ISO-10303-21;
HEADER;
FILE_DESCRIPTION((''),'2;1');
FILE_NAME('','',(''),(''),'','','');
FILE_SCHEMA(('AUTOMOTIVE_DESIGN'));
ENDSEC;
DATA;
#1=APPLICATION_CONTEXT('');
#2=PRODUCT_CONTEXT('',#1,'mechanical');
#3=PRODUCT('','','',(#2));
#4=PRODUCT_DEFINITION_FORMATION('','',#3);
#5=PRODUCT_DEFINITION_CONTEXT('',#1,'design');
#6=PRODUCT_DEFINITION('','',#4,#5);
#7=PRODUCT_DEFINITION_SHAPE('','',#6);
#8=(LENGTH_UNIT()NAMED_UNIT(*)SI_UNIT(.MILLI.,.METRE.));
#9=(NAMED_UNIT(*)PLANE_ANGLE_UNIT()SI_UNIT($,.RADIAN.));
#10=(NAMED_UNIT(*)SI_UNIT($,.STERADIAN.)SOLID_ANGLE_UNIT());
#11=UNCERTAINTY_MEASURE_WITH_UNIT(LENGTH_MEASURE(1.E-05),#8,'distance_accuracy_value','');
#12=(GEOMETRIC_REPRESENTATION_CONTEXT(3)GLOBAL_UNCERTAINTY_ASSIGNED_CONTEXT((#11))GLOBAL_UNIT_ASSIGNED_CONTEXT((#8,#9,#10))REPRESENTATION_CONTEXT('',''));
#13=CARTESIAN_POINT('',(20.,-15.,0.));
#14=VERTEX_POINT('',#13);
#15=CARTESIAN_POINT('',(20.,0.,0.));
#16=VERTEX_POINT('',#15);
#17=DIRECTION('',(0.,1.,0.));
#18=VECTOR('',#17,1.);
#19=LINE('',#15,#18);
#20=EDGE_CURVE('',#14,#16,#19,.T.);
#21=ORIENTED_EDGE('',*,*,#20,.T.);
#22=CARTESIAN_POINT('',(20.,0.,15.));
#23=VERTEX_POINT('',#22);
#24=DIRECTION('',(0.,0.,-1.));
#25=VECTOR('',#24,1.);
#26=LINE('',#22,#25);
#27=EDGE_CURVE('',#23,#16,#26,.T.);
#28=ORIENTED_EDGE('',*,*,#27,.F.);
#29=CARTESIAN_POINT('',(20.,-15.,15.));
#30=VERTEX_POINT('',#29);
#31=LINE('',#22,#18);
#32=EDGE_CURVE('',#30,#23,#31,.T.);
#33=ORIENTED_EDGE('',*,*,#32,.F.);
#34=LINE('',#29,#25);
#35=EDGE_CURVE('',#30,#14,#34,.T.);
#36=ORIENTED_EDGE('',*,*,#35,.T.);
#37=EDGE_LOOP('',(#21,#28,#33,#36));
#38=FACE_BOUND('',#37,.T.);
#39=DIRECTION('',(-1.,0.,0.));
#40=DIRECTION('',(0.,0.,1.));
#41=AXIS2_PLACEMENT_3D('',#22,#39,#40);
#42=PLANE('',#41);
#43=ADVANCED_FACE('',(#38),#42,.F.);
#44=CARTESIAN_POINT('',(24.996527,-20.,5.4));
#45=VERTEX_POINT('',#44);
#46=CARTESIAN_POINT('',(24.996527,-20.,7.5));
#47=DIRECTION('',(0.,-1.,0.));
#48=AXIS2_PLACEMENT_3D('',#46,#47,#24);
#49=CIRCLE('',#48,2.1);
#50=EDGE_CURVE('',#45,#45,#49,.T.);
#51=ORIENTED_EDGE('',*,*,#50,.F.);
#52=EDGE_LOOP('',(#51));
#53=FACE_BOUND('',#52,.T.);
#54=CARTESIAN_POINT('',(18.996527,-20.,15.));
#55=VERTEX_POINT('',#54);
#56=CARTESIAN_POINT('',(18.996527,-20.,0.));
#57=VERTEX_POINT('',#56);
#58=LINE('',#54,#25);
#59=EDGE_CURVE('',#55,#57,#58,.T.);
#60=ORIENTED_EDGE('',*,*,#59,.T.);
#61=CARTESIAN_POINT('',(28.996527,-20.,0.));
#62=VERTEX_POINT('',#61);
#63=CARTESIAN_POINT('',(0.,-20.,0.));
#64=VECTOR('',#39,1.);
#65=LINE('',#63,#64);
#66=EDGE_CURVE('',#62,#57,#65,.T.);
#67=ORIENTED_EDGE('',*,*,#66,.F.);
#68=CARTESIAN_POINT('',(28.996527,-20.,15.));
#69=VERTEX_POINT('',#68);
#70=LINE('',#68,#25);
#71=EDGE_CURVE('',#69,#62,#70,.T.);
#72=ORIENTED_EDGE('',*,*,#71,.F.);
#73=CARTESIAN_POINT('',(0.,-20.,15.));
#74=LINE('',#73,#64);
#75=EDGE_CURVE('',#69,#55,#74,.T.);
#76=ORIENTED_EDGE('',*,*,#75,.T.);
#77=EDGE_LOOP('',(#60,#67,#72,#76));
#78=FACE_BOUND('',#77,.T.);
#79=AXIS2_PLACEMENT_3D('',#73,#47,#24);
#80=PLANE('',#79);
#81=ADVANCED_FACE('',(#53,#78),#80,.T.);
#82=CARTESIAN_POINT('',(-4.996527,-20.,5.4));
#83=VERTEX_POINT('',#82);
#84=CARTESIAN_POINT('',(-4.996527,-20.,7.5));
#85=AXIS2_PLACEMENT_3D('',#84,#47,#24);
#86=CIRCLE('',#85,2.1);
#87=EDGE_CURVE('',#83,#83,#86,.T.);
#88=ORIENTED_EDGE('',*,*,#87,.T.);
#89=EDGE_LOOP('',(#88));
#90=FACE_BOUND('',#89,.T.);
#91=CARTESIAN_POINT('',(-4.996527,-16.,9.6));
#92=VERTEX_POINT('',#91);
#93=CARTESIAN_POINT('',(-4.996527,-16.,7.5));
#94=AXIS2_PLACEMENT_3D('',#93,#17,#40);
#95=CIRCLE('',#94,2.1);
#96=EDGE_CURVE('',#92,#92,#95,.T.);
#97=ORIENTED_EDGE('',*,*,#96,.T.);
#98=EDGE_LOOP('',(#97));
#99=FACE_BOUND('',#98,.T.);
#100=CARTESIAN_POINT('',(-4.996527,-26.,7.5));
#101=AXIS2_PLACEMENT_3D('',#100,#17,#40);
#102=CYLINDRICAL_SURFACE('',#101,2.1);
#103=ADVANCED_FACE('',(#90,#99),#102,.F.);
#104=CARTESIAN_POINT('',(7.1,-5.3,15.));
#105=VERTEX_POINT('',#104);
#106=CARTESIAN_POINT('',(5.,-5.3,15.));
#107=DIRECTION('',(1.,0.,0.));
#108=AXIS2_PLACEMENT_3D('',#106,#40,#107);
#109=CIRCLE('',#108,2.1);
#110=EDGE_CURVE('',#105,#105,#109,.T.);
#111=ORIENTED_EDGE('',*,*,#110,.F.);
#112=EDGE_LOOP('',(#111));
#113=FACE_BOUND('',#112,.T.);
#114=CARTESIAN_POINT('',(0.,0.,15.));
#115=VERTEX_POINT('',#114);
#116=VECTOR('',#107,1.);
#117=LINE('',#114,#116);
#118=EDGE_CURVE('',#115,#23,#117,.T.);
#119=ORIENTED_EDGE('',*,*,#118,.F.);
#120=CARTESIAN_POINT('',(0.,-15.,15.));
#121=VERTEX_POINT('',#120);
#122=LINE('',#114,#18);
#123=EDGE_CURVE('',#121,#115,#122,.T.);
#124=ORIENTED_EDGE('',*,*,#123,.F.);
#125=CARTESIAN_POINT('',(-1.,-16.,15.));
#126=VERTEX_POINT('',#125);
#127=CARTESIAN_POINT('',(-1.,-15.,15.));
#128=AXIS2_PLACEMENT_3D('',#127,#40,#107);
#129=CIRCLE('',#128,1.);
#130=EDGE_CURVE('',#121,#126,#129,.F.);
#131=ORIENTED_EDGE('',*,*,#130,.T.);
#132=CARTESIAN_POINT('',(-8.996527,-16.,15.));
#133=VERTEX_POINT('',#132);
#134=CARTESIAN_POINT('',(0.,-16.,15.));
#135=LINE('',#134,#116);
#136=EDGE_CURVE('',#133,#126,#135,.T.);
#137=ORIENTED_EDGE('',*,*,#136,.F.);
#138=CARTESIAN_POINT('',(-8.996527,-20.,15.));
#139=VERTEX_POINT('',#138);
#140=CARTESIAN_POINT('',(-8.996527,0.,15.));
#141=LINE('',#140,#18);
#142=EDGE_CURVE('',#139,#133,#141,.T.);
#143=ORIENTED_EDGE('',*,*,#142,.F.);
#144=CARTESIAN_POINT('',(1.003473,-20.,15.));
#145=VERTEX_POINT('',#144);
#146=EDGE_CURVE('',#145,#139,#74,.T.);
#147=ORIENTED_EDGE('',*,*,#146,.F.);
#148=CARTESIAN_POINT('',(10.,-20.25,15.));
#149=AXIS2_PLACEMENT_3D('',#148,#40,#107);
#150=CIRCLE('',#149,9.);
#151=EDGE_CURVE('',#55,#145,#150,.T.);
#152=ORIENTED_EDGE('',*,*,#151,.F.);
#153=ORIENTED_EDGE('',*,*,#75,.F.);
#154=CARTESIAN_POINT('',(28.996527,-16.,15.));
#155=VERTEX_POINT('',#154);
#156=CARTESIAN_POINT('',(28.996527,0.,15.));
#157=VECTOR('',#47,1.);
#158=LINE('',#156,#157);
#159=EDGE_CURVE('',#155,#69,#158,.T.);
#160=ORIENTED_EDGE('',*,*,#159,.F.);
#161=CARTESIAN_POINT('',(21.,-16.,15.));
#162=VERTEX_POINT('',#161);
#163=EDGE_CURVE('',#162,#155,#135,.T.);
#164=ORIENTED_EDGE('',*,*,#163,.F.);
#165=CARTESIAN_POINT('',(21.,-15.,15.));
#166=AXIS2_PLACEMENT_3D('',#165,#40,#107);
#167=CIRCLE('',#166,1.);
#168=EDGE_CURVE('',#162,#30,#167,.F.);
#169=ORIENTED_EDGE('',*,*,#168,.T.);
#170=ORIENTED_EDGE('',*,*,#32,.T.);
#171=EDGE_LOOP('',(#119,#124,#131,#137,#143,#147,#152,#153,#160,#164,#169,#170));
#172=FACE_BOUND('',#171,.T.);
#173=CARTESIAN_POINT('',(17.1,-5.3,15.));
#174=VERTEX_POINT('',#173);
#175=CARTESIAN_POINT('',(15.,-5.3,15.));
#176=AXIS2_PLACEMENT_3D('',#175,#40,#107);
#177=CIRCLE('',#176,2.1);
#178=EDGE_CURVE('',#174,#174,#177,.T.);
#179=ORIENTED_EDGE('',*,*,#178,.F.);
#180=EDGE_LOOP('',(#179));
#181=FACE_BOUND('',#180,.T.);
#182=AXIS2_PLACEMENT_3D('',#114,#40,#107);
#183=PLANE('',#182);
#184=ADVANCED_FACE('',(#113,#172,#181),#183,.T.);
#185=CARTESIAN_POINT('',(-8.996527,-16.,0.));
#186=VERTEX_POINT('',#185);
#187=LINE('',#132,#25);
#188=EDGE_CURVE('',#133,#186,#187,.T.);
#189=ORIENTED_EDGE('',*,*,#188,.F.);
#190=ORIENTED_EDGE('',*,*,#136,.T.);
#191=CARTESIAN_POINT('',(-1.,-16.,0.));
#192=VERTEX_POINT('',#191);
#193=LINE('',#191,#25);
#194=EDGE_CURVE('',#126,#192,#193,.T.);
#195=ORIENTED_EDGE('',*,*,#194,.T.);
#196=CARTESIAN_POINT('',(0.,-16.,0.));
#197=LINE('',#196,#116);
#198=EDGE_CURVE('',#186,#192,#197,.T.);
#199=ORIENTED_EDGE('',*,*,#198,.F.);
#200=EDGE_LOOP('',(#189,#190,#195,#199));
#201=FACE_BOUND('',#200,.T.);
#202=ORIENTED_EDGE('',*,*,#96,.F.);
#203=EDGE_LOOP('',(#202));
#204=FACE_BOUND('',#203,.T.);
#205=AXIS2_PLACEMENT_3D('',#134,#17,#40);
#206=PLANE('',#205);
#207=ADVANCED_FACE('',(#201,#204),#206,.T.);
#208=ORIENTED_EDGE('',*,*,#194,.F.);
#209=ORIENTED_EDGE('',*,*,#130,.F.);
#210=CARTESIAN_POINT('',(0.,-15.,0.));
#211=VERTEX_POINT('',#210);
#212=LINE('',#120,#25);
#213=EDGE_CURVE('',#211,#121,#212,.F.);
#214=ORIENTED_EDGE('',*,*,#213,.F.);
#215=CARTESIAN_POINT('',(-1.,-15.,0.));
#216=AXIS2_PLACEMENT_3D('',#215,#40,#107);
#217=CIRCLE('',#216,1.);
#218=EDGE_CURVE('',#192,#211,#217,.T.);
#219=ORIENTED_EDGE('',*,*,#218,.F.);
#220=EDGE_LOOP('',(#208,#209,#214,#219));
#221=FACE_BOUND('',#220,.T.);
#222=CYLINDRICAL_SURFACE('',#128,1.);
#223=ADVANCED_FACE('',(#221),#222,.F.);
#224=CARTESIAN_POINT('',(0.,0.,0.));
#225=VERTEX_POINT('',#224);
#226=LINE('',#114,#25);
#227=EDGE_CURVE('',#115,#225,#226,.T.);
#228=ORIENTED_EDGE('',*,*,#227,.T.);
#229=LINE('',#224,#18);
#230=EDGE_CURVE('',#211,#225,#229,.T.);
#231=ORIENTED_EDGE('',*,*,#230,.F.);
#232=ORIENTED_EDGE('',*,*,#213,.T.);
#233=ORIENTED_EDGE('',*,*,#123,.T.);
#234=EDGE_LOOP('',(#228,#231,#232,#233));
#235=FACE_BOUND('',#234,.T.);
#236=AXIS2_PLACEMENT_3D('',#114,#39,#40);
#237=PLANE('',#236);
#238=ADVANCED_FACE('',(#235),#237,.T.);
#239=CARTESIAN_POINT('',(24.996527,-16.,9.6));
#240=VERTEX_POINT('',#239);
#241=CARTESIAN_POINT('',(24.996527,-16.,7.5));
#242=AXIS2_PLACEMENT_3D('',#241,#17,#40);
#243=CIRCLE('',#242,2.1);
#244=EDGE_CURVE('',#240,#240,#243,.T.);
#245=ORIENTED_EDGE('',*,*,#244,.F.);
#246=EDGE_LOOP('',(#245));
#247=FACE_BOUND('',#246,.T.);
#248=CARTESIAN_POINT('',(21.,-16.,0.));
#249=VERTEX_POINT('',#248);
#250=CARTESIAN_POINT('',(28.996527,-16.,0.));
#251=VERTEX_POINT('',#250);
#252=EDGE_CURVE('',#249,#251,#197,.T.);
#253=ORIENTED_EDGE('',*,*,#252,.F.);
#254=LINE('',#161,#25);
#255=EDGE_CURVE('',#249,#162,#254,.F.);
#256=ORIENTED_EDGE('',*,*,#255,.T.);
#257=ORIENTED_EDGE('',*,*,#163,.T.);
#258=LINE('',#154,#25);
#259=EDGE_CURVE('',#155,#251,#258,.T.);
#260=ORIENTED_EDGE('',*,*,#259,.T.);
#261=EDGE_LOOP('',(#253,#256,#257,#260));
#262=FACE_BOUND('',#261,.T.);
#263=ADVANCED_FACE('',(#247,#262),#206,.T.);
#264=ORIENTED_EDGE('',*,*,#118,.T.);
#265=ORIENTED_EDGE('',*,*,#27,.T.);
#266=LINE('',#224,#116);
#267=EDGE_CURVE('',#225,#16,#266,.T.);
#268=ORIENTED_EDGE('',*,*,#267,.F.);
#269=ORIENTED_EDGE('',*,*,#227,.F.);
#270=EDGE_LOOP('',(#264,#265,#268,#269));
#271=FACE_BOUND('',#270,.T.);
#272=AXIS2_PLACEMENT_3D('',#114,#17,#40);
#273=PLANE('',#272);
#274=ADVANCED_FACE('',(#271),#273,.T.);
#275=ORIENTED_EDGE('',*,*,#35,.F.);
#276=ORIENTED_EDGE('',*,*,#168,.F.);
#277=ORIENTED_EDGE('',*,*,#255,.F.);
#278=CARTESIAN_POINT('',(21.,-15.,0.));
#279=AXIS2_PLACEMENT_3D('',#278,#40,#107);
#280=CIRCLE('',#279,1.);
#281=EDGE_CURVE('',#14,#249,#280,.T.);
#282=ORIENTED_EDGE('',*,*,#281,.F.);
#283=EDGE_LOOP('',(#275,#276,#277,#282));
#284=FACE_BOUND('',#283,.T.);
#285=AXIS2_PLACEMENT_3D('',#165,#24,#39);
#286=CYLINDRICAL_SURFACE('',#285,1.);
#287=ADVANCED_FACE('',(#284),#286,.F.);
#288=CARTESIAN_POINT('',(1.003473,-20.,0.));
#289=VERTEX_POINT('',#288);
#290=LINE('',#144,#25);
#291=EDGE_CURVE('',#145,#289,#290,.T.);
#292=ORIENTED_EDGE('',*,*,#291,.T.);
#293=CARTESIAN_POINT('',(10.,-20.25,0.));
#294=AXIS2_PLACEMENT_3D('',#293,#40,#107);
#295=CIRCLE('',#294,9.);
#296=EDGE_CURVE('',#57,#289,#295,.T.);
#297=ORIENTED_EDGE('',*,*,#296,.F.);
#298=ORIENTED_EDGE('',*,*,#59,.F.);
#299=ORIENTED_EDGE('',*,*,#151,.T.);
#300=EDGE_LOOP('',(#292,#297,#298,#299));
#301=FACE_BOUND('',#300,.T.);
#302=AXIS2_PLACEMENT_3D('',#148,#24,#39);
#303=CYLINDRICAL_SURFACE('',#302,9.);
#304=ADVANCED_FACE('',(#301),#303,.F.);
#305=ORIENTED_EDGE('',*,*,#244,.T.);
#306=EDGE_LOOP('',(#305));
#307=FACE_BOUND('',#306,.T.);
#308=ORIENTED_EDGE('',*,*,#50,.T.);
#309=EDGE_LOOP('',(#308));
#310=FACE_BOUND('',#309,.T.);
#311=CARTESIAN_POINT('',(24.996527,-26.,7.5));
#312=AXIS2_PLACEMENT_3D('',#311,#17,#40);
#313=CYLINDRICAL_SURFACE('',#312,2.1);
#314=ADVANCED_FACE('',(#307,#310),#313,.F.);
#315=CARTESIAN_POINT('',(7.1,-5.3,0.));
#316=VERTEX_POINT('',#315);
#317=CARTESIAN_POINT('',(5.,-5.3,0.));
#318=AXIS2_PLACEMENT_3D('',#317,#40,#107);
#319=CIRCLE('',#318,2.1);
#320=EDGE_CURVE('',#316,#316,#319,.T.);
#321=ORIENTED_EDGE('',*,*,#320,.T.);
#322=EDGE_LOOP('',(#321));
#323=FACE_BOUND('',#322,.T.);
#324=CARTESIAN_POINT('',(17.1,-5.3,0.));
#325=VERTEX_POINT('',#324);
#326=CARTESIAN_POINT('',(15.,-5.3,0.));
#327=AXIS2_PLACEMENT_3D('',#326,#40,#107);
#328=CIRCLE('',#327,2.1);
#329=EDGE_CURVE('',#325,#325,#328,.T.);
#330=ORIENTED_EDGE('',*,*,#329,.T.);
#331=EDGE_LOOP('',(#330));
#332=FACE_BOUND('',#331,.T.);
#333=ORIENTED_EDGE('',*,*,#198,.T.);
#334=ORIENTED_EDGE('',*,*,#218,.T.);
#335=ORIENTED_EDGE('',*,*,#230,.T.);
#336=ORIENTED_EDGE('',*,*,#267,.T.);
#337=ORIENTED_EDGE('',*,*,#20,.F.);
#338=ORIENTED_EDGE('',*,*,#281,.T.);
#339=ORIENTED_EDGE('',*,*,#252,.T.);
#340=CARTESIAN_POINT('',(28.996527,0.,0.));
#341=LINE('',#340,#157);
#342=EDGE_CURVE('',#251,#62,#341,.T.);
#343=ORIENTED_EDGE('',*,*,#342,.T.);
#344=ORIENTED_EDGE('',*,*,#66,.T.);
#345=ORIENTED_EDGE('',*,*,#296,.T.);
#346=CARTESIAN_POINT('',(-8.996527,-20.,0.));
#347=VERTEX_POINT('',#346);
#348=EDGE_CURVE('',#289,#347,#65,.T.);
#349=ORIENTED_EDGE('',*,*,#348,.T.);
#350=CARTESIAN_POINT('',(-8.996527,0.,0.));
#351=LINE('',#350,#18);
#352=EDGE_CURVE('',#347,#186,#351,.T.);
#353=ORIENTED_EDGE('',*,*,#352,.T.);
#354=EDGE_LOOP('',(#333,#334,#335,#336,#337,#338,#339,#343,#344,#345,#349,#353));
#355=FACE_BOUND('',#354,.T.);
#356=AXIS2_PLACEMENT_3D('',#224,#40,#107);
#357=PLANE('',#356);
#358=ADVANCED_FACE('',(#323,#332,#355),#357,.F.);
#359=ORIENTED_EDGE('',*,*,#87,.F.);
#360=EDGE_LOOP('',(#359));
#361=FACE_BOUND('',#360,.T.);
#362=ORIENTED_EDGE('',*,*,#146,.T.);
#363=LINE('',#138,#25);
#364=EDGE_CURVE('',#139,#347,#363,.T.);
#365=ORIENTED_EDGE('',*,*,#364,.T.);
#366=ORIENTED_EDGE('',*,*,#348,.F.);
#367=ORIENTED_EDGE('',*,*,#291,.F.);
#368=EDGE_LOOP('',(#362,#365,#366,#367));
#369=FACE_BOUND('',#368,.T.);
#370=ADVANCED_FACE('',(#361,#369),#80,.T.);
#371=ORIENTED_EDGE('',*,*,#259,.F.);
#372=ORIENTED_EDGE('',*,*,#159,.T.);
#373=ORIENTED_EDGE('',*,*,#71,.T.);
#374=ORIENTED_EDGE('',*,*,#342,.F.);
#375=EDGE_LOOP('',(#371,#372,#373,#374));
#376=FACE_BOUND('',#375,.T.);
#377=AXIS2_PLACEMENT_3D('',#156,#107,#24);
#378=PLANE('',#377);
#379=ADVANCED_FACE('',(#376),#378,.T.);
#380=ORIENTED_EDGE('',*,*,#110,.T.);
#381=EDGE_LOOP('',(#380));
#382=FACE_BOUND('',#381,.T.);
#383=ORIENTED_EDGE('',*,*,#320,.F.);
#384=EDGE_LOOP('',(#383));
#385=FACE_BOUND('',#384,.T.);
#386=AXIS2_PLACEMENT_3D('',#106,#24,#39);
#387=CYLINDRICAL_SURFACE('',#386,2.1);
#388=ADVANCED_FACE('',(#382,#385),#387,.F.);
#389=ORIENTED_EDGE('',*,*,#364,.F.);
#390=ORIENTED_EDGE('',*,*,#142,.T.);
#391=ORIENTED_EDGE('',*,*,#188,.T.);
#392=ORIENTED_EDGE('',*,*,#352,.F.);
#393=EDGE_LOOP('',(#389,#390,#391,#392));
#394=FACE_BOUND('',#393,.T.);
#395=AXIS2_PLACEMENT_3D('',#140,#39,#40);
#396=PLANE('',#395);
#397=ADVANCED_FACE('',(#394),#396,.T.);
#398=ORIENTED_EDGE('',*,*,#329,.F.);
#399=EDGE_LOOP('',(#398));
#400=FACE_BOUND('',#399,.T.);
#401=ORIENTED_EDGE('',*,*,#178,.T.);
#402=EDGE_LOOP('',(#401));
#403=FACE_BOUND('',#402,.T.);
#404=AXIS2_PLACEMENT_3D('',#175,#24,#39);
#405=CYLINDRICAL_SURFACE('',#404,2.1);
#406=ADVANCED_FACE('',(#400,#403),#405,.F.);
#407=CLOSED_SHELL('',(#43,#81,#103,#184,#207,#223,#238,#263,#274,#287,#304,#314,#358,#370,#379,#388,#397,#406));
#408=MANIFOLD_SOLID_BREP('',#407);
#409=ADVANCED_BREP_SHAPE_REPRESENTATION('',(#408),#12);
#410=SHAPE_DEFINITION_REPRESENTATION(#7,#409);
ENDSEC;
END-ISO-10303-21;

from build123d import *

# Parameters (mm, degrees)
SKETCH1_R           = 2.1
BOSS_EXTRUDE1_DEPTH = 15
SKETCH2_R           = 2.1
CUT_EXTRUDE1_DEPTH  = 10
FILLET2_R           = 1


with BuildPart() as part:
    # Sketch1 → Boss-Extrude1 (new body)
    with BuildSketch(Plane.XY):
        with BuildLine():
            ThreePointArc((18.996527108, -20), (10, -11.25), (1.003472892, -20))
            Line((1.003472892, -20), (-8.996527108, -20))
            Line((-8.996527108, -20), (-8.996527108, -16))
            Line((-8.996527108, -16), (0, -16))
            Line((0, -16), (0, 0))
            Line((0, 0), (20, 0))
            Line((20, 0), (20, -16))
            Line((20, -16), (28.996527108, -16))
            Line((28.996527108, -16), (28.996527108, -20))
            Line((28.996527108, -20), (18.996527108, -20))
        make_face()
        with Locations((15, -5.3)):
            Circle(SKETCH1_R, mode=Mode.SUBTRACT)
        with Locations((5, -5.3)):
            Circle(SKETCH1_R, mode=Mode.SUBTRACT)
    extrude(amount=BOSS_EXTRUDE1_DEPTH)

    # Sketch2 → Cut-Extrude1 (cut)
    with BuildSketch(Plane(origin=(0, -16, 0), x_dir=(1, 0, 0), z_dir=(0, 1, 0))):
        with Locations((-4.996527108, -7.5)):
            Circle(SKETCH2_R)
        with Locations((24.996527108, -7.5)):
            Circle(SKETCH2_R)
    extrude(amount=-CUT_EXTRUDE1_DEPTH, mode=Mode.SUBTRACT)

    # Fillet2
    fillet2_edges = [part.edges().sort_by_distance(p)[0] for p in [
        (0, -16, 7.5),
        (20, -16, 7.5),
    ]]
    fillet(fillet2_edges, radius=FILLET2_R)


solid = part.part
